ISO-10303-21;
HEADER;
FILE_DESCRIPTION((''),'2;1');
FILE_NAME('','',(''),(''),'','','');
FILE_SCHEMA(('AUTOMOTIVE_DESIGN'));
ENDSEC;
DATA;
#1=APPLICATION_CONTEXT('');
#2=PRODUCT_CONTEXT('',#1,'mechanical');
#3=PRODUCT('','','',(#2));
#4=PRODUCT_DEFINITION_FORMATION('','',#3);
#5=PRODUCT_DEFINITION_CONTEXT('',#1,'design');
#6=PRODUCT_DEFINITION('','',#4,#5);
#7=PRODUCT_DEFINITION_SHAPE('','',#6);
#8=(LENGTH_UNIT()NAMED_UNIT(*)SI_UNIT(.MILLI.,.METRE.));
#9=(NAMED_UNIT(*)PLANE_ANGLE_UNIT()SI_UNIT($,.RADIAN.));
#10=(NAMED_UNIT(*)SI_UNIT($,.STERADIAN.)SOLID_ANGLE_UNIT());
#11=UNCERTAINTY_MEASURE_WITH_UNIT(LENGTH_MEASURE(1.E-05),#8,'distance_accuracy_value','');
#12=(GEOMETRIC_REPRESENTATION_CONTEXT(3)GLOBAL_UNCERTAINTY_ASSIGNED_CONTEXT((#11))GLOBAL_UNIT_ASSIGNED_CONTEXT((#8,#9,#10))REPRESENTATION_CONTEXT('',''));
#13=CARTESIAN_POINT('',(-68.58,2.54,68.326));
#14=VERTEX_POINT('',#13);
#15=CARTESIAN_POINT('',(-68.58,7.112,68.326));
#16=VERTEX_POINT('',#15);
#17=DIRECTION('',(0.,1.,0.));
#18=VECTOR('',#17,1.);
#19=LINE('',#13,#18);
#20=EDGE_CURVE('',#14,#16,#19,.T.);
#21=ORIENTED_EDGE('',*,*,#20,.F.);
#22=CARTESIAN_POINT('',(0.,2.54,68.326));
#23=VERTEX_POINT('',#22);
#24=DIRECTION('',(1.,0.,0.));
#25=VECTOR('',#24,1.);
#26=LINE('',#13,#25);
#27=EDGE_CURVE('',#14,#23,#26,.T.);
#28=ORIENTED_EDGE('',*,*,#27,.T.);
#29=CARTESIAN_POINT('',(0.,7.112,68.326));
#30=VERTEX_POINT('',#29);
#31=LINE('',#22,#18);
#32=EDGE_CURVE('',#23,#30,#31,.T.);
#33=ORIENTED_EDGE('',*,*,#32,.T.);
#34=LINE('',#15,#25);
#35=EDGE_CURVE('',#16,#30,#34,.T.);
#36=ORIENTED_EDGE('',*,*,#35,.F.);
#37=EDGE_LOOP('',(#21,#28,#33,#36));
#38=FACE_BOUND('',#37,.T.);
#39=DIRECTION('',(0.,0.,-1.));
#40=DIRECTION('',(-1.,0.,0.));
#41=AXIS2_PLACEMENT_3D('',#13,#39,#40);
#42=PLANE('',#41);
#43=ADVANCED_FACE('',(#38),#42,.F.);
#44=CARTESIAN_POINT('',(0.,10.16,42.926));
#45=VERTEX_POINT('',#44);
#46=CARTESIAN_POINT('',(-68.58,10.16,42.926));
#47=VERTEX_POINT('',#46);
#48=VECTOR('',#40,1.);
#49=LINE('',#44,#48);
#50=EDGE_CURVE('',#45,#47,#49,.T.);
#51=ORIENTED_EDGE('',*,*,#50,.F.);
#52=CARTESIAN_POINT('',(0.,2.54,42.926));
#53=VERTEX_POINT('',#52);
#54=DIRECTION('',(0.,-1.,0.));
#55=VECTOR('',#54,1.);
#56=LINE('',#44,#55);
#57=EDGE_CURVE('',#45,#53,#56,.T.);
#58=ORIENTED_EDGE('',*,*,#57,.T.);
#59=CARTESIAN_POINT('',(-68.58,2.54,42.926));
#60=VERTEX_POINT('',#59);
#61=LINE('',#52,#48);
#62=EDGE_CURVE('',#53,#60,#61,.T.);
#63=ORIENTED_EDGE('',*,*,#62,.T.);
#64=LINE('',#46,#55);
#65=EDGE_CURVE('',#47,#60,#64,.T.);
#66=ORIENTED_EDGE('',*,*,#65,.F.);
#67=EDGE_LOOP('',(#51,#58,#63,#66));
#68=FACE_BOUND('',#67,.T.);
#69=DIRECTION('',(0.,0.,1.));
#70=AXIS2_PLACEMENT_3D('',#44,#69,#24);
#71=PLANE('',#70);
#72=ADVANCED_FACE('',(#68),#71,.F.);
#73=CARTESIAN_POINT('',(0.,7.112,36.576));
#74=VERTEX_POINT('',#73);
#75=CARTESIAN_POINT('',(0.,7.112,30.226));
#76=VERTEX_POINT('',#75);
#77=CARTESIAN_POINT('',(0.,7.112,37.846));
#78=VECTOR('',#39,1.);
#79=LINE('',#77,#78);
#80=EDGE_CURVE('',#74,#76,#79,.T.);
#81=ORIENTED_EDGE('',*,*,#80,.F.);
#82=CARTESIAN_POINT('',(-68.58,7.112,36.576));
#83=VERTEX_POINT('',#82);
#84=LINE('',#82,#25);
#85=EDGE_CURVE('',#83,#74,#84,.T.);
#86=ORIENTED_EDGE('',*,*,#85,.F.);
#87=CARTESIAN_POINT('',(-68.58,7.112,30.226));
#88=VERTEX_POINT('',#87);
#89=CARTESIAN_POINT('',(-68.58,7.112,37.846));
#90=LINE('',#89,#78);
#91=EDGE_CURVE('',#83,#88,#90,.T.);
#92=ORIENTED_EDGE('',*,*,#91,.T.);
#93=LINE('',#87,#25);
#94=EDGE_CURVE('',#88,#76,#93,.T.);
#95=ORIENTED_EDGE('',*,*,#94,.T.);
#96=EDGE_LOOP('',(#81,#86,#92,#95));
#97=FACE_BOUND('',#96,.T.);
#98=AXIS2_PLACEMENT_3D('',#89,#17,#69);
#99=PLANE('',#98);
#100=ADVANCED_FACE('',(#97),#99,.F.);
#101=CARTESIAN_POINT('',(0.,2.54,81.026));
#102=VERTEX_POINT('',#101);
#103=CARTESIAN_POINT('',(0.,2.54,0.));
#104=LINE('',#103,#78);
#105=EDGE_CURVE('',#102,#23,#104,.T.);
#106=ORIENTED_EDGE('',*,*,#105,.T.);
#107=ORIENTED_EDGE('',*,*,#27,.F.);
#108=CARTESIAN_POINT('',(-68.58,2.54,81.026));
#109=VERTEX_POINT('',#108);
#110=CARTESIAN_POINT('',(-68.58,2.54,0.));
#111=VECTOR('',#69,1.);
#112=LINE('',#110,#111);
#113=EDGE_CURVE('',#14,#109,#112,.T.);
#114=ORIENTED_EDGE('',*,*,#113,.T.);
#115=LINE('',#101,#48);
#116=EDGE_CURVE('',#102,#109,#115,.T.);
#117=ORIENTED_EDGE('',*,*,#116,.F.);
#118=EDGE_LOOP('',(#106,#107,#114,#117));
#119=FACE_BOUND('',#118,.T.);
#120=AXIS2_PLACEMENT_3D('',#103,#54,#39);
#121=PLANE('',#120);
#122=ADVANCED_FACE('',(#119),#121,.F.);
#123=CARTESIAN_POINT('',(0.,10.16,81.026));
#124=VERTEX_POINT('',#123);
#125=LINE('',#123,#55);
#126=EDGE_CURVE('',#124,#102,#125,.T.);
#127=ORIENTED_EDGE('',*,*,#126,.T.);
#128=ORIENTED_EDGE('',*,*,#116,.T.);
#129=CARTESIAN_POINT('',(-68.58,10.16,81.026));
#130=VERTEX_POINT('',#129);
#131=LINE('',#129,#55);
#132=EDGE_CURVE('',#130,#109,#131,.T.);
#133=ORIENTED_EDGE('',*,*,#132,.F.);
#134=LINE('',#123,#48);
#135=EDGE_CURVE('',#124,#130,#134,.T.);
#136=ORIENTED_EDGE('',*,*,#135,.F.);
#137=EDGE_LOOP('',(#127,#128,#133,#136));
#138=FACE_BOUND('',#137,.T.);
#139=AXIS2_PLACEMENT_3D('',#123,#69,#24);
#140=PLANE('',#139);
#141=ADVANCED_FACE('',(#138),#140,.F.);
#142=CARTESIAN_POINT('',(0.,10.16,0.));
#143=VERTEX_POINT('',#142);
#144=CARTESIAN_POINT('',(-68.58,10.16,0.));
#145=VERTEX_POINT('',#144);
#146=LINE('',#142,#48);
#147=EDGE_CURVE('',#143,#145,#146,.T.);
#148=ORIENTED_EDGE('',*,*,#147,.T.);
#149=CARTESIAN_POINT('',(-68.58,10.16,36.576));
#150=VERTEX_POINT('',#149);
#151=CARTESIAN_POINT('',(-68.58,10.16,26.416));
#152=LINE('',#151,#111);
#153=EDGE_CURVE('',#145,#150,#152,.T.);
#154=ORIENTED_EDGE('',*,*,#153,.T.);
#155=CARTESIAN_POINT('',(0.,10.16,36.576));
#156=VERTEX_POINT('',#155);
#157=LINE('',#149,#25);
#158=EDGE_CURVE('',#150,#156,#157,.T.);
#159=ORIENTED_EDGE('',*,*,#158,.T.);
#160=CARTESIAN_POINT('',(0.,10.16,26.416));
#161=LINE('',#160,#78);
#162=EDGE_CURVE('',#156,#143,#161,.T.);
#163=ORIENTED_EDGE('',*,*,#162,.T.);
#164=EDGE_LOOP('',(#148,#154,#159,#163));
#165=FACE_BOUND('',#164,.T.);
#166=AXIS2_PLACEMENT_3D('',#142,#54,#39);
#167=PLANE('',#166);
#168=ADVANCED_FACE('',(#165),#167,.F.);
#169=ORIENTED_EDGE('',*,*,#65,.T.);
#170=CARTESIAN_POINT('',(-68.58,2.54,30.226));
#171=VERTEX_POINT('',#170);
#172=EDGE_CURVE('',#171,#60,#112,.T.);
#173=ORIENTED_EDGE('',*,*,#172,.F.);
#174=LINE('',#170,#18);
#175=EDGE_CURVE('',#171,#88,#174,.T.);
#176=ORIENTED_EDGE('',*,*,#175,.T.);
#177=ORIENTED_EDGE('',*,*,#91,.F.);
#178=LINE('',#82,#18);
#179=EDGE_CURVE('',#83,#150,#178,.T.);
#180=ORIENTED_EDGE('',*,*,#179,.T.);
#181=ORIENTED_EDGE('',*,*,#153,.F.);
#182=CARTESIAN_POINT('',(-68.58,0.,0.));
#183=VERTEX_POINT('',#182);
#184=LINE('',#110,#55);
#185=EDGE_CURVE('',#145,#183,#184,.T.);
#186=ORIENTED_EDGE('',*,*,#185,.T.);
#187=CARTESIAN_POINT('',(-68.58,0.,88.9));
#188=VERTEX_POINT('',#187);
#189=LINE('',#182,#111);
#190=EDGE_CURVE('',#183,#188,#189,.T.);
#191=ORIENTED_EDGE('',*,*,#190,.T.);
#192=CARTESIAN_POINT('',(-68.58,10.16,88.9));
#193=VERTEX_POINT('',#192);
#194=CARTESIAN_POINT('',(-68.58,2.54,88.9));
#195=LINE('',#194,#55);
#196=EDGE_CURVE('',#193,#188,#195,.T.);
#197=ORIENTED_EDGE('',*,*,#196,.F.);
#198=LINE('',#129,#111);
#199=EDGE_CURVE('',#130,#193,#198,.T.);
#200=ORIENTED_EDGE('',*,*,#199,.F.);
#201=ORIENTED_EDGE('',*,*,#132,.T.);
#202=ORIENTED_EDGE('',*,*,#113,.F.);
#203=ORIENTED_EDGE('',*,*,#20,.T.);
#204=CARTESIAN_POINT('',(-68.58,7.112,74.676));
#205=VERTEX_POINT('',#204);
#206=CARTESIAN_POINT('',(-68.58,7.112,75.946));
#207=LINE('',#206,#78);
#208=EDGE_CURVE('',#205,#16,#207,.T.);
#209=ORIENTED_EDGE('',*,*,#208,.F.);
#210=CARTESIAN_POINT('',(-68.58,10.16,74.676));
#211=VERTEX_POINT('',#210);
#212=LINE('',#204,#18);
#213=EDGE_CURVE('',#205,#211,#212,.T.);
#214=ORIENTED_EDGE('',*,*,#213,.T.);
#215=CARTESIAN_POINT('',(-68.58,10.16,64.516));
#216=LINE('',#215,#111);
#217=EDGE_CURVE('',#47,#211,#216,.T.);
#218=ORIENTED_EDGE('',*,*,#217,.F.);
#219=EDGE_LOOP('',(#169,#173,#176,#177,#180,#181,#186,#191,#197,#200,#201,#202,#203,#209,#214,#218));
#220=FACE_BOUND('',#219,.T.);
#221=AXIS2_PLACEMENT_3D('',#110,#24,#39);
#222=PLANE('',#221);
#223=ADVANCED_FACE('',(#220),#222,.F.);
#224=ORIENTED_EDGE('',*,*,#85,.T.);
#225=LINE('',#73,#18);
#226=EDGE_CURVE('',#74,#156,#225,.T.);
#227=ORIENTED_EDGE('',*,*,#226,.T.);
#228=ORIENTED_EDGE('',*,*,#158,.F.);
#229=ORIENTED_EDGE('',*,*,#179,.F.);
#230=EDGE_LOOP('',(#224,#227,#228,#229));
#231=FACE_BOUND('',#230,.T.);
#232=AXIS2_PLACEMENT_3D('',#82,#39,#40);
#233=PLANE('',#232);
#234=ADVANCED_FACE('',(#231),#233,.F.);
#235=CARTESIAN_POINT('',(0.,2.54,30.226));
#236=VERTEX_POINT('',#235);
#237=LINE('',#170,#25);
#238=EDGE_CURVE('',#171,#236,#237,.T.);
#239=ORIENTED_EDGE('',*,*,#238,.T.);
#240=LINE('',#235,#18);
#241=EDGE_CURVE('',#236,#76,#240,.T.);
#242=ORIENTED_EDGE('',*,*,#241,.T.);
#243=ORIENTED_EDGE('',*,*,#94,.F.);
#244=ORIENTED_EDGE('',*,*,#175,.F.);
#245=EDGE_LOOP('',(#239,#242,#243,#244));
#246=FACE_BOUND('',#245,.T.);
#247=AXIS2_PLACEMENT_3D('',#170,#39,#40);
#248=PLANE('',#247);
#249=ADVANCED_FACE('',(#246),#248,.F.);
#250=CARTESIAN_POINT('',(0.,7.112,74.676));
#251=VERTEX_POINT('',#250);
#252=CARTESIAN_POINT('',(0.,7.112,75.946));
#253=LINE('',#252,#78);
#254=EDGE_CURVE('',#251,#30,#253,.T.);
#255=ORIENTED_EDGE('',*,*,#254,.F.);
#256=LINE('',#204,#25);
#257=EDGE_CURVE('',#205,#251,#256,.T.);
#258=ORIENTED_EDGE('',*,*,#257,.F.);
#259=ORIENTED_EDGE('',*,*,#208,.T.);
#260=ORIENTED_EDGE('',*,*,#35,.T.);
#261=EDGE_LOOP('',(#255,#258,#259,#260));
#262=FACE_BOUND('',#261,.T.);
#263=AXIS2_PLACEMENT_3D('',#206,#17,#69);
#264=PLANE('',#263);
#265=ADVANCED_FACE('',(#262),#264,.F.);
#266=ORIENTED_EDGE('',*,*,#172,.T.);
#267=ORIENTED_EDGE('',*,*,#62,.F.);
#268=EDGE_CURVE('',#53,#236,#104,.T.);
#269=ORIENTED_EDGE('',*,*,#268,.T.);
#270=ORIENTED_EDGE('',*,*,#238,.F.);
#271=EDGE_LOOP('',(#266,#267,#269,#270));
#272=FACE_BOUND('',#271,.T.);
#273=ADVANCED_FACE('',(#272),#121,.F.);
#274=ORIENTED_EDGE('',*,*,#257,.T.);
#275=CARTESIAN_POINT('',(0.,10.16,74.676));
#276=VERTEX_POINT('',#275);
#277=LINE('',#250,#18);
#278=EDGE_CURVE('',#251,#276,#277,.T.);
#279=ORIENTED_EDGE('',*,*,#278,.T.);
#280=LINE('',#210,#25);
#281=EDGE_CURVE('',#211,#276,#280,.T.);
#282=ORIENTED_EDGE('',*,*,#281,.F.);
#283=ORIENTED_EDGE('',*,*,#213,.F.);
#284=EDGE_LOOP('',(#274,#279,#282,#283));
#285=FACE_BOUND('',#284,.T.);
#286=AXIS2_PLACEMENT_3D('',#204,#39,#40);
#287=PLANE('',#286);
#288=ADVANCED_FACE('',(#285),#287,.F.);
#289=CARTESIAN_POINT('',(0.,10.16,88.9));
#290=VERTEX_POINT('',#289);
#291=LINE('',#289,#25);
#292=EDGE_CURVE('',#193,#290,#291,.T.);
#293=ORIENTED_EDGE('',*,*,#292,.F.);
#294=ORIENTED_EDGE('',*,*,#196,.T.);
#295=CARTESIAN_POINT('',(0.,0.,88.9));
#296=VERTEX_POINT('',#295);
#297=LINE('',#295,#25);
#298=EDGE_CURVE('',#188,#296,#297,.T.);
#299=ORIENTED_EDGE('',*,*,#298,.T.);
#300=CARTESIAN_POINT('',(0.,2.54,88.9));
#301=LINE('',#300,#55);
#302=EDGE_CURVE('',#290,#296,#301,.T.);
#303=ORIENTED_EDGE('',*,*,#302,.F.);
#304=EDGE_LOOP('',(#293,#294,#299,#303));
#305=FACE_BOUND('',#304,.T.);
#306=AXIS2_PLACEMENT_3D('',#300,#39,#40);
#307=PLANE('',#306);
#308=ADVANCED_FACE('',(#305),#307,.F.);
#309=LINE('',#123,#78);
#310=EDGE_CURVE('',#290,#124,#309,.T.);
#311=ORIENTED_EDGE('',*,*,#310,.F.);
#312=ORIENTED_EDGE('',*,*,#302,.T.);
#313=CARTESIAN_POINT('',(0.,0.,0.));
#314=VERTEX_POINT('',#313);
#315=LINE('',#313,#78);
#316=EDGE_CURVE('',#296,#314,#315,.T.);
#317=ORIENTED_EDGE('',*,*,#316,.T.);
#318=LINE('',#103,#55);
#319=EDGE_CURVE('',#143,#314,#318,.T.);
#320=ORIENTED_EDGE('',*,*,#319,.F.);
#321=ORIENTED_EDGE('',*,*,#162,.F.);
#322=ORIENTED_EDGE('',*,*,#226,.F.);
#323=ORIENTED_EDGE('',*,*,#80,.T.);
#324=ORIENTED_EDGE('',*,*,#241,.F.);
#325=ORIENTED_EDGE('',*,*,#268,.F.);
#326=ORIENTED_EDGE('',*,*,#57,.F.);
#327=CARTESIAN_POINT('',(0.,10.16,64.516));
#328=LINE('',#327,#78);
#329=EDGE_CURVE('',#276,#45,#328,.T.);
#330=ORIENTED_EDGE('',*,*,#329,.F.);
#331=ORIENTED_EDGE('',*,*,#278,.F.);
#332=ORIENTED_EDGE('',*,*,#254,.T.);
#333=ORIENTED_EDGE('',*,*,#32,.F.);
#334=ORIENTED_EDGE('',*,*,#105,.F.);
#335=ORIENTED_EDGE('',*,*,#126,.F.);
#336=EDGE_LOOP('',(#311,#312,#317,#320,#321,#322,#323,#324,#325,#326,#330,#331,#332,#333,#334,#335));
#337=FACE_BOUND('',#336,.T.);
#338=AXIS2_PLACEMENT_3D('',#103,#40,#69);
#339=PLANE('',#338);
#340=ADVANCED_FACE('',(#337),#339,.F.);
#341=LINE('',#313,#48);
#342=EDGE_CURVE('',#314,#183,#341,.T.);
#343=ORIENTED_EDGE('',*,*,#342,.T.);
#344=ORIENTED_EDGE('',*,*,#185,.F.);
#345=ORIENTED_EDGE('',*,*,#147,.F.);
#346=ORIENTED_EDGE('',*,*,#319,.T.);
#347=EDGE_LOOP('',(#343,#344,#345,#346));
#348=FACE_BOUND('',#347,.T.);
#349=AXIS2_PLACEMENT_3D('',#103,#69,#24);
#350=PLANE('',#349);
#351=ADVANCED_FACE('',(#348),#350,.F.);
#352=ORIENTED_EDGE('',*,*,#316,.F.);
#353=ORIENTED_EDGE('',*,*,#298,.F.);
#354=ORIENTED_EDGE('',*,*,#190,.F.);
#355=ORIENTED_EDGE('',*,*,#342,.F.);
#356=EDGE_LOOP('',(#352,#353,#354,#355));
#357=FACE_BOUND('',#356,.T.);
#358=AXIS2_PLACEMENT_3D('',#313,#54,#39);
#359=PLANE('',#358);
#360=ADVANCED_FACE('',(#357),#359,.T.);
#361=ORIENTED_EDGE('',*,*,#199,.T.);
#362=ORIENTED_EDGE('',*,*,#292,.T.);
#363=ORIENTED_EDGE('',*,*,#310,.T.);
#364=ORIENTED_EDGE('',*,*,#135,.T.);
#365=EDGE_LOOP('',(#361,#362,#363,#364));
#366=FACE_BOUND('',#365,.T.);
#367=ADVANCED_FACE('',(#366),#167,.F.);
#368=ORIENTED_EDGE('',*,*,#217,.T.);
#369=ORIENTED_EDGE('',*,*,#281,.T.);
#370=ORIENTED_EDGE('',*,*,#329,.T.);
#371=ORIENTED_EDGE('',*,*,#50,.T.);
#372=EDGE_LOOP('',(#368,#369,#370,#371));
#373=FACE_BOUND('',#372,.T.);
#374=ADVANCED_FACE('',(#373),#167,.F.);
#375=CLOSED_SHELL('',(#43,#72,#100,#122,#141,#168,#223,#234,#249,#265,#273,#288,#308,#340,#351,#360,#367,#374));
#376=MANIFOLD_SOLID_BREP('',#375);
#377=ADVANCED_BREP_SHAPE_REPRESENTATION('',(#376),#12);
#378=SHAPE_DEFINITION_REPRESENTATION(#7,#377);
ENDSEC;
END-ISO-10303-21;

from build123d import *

# Parameters (mm, degrees)
SKETCH1_W           = 68.58
SKETCH1_H           = 88.9
BOSS_EXTRUDE1_DEPTH = 2.54
SKETCH2_W           = 68.58
SKETCH2_H           = 5.08
BOSS_EXTRUDE2_DEPTH = 7.62
SKETCH3_W           = 68.58
SKETCH3_H           = 3.048
BOSS_EXTRUDE3_DEPTH = 6.35
SKETCH4_W           = 68.58
SKETCH4_H           = 3.048
BOSS_EXTRUDE4_DEPTH = 6.35
SKETCH5_W           = 68.58
SKETCH5_H           = 26.416
SKETCH5_H_2         = 21.59
SKETCH5_H_3         = 7.874
BOSS_EXTRUDE5_DEPTH = 7.62
SKETCH6_W           = 4.572
SKETCH6_H           = 1.27
SKETCH6_W_2         = 3.048
CUT_EXTRUDE1_DEPTH  = 113.737092388


with BuildPart() as part:
    # Sketch1 → Boss-Extrude1 (new body)
    with BuildSketch(Plane(origin=(0, 0, 0), x_dir=(-1, 0, 0), z_dir=(0, 1, 0))):
        with Locations((34.29, 44.45)):
            Rectangle(SKETCH1_W, SKETCH1_H)
    extrude(amount=BOSS_EXTRUDE1_DEPTH)

    # Sketch2 → Boss-Extrude2 (add)
    with BuildSketch(Plane(origin=(0, 2.54, 0), x_dir=(-1, 0, 0), z_dir=(0, 1, 0))):
        with Locations((34.29, 67.056)):
            Rectangle(SKETCH2_W, SKETCH2_H)
        with Locations((34.29, 28.956)):
            Rectangle(SKETCH2_W, SKETCH2_H)
    extrude(amount=BOSS_EXTRUDE2_DEPTH)

    # Sketch3 → Boss-Extrude3 (add)
    with BuildSketch(Plane.XY.offset(31.496)):
        with Locations((-34.29, 8.636)):
            Rectangle(SKETCH3_W, SKETCH3_H)
    extrude(amount=BOSS_EXTRUDE3_DEPTH)

    # Sketch4 → Boss-Extrude4 (add)
    with BuildSketch(Plane.XY.offset(69.596)):
        with Locations((-34.29, 8.636)):
            Rectangle(SKETCH4_W, SKETCH4_H)
    extrude(amount=BOSS_EXTRUDE4_DEPTH)

    # Sketch5 → Boss-Extrude5 (add)
    with BuildSketch(Plane(origin=(0, 2.54, 0), x_dir=(-1, 0, 0), z_dir=(0, 1, 0))):
        with Locations((34.29, 13.208)):
            Rectangle(SKETCH5_W, SKETCH5_H)
        with Locations((34.29, 53.721)):
            Rectangle(SKETCH5_W, SKETCH5_H_2)
        with Locations((34.29, 84.963)):
            Rectangle(SKETCH5_W, SKETCH5_H_3)
    extrude(amount=BOSS_EXTRUDE5_DEPTH)

    # Sketch6 → Cut-Extrude1 (cut, through all)
    with BuildSketch(Plane.YZ):
        with Locations((4.826, 68.961)):
            Rectangle(SKETCH6_W, SKETCH6_H)
        with Locations((4.826, 30.861)):
            Rectangle(SKETCH6_W, SKETCH6_H)
        with Locations((8.636, 37.211)):
            Rectangle(SKETCH6_W_2, SKETCH6_H)
        with Locations((8.636, 75.311)):
            Rectangle(SKETCH6_W_2, SKETCH6_H)
    extrude(amount=-CUT_EXTRUDE1_DEPTH, mode=Mode.SUBTRACT)


solid = part.part
